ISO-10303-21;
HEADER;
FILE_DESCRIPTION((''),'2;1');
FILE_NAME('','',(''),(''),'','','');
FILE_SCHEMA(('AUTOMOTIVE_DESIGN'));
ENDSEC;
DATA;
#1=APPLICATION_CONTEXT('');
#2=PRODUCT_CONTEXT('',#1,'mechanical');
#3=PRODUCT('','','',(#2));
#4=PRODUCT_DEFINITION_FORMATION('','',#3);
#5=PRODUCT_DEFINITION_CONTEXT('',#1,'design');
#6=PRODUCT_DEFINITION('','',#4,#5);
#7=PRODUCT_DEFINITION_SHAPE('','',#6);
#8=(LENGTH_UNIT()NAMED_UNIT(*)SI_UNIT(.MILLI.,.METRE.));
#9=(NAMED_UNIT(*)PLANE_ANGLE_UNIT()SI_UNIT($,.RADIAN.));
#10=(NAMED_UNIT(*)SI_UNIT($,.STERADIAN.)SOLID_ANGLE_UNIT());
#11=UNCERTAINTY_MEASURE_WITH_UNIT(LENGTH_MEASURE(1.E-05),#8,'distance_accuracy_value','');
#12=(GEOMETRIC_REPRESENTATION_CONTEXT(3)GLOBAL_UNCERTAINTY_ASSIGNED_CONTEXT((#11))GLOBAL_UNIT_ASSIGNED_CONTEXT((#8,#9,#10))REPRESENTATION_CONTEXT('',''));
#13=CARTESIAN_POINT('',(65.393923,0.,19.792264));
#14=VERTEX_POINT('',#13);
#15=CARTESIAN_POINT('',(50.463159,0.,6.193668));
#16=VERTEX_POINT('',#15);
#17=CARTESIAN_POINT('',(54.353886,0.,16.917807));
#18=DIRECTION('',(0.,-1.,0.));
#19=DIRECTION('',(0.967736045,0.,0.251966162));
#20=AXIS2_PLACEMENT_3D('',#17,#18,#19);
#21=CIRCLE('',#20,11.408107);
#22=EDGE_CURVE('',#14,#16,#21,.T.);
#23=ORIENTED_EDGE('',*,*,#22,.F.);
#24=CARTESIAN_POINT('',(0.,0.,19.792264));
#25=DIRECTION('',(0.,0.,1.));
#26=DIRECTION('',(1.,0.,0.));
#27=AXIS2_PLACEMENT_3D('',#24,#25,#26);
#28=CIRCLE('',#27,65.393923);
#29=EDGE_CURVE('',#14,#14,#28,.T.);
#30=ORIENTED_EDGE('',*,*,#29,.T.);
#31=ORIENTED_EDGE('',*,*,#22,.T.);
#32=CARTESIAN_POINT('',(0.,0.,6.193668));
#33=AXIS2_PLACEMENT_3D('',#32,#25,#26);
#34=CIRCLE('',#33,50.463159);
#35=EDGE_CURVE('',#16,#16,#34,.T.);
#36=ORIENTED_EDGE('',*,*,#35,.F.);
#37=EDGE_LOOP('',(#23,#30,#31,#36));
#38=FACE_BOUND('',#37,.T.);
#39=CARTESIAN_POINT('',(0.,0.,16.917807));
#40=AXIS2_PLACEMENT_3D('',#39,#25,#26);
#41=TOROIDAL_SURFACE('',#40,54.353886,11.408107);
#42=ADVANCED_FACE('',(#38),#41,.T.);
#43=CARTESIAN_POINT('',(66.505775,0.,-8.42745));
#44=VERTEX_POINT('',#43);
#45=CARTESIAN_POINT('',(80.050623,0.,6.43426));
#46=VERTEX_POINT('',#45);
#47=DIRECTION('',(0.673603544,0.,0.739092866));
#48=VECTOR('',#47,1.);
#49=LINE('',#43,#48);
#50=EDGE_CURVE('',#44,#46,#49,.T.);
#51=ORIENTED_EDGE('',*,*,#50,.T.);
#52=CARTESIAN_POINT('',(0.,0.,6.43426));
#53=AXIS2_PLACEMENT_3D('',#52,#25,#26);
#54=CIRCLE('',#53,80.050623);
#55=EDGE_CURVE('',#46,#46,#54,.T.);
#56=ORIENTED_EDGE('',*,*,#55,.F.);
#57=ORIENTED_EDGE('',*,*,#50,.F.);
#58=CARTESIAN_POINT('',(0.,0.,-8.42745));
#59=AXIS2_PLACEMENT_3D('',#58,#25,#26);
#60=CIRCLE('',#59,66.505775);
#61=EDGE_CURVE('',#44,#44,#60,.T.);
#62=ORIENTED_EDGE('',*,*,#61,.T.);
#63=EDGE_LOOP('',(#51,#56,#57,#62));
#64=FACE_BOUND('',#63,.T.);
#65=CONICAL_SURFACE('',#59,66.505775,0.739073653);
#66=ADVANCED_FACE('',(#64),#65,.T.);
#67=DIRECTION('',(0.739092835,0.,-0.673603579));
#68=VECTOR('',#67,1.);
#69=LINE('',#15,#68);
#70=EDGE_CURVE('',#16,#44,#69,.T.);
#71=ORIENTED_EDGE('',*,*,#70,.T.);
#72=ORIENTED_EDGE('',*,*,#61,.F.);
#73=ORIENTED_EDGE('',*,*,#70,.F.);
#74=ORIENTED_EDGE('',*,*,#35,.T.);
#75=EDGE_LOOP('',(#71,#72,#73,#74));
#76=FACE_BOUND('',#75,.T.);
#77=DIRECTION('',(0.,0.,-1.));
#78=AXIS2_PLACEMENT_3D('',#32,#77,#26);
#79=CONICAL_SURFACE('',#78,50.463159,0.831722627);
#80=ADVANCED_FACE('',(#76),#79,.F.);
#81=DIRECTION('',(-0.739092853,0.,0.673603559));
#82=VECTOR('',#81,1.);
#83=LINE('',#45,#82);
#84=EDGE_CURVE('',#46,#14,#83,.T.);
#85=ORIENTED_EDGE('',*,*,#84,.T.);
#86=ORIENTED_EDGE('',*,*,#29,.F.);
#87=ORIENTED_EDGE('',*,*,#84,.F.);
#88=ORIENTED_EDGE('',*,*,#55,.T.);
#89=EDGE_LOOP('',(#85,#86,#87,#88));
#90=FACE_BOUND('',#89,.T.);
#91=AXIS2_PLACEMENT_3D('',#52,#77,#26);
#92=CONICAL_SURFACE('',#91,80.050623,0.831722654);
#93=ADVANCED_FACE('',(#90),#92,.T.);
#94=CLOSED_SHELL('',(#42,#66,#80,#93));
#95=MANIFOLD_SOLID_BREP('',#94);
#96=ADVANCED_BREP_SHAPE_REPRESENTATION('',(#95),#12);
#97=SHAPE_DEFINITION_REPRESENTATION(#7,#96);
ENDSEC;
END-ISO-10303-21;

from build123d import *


with BuildPart() as f2:
    # F0 (on Front) → F2 (revolve)
    with BuildSketch(Plane.XZ):
        with BuildLine():
            ThreePointArc((65.393923, 19.792264), (46.67218, 25.352041), (50.463159, 6.193668))
            Line((50.463159, 6.193668), (66.505775, -8.42745))
            Line((66.505775, -8.42745), (80.050623, 6.43426))
            Line((80.050623, 6.43426), (65.393923, 19.792264))
        make_face()
    revolve(axis=Axis((0, 0, 0.094999), (0, 0, 1)))


solid = f2.part
